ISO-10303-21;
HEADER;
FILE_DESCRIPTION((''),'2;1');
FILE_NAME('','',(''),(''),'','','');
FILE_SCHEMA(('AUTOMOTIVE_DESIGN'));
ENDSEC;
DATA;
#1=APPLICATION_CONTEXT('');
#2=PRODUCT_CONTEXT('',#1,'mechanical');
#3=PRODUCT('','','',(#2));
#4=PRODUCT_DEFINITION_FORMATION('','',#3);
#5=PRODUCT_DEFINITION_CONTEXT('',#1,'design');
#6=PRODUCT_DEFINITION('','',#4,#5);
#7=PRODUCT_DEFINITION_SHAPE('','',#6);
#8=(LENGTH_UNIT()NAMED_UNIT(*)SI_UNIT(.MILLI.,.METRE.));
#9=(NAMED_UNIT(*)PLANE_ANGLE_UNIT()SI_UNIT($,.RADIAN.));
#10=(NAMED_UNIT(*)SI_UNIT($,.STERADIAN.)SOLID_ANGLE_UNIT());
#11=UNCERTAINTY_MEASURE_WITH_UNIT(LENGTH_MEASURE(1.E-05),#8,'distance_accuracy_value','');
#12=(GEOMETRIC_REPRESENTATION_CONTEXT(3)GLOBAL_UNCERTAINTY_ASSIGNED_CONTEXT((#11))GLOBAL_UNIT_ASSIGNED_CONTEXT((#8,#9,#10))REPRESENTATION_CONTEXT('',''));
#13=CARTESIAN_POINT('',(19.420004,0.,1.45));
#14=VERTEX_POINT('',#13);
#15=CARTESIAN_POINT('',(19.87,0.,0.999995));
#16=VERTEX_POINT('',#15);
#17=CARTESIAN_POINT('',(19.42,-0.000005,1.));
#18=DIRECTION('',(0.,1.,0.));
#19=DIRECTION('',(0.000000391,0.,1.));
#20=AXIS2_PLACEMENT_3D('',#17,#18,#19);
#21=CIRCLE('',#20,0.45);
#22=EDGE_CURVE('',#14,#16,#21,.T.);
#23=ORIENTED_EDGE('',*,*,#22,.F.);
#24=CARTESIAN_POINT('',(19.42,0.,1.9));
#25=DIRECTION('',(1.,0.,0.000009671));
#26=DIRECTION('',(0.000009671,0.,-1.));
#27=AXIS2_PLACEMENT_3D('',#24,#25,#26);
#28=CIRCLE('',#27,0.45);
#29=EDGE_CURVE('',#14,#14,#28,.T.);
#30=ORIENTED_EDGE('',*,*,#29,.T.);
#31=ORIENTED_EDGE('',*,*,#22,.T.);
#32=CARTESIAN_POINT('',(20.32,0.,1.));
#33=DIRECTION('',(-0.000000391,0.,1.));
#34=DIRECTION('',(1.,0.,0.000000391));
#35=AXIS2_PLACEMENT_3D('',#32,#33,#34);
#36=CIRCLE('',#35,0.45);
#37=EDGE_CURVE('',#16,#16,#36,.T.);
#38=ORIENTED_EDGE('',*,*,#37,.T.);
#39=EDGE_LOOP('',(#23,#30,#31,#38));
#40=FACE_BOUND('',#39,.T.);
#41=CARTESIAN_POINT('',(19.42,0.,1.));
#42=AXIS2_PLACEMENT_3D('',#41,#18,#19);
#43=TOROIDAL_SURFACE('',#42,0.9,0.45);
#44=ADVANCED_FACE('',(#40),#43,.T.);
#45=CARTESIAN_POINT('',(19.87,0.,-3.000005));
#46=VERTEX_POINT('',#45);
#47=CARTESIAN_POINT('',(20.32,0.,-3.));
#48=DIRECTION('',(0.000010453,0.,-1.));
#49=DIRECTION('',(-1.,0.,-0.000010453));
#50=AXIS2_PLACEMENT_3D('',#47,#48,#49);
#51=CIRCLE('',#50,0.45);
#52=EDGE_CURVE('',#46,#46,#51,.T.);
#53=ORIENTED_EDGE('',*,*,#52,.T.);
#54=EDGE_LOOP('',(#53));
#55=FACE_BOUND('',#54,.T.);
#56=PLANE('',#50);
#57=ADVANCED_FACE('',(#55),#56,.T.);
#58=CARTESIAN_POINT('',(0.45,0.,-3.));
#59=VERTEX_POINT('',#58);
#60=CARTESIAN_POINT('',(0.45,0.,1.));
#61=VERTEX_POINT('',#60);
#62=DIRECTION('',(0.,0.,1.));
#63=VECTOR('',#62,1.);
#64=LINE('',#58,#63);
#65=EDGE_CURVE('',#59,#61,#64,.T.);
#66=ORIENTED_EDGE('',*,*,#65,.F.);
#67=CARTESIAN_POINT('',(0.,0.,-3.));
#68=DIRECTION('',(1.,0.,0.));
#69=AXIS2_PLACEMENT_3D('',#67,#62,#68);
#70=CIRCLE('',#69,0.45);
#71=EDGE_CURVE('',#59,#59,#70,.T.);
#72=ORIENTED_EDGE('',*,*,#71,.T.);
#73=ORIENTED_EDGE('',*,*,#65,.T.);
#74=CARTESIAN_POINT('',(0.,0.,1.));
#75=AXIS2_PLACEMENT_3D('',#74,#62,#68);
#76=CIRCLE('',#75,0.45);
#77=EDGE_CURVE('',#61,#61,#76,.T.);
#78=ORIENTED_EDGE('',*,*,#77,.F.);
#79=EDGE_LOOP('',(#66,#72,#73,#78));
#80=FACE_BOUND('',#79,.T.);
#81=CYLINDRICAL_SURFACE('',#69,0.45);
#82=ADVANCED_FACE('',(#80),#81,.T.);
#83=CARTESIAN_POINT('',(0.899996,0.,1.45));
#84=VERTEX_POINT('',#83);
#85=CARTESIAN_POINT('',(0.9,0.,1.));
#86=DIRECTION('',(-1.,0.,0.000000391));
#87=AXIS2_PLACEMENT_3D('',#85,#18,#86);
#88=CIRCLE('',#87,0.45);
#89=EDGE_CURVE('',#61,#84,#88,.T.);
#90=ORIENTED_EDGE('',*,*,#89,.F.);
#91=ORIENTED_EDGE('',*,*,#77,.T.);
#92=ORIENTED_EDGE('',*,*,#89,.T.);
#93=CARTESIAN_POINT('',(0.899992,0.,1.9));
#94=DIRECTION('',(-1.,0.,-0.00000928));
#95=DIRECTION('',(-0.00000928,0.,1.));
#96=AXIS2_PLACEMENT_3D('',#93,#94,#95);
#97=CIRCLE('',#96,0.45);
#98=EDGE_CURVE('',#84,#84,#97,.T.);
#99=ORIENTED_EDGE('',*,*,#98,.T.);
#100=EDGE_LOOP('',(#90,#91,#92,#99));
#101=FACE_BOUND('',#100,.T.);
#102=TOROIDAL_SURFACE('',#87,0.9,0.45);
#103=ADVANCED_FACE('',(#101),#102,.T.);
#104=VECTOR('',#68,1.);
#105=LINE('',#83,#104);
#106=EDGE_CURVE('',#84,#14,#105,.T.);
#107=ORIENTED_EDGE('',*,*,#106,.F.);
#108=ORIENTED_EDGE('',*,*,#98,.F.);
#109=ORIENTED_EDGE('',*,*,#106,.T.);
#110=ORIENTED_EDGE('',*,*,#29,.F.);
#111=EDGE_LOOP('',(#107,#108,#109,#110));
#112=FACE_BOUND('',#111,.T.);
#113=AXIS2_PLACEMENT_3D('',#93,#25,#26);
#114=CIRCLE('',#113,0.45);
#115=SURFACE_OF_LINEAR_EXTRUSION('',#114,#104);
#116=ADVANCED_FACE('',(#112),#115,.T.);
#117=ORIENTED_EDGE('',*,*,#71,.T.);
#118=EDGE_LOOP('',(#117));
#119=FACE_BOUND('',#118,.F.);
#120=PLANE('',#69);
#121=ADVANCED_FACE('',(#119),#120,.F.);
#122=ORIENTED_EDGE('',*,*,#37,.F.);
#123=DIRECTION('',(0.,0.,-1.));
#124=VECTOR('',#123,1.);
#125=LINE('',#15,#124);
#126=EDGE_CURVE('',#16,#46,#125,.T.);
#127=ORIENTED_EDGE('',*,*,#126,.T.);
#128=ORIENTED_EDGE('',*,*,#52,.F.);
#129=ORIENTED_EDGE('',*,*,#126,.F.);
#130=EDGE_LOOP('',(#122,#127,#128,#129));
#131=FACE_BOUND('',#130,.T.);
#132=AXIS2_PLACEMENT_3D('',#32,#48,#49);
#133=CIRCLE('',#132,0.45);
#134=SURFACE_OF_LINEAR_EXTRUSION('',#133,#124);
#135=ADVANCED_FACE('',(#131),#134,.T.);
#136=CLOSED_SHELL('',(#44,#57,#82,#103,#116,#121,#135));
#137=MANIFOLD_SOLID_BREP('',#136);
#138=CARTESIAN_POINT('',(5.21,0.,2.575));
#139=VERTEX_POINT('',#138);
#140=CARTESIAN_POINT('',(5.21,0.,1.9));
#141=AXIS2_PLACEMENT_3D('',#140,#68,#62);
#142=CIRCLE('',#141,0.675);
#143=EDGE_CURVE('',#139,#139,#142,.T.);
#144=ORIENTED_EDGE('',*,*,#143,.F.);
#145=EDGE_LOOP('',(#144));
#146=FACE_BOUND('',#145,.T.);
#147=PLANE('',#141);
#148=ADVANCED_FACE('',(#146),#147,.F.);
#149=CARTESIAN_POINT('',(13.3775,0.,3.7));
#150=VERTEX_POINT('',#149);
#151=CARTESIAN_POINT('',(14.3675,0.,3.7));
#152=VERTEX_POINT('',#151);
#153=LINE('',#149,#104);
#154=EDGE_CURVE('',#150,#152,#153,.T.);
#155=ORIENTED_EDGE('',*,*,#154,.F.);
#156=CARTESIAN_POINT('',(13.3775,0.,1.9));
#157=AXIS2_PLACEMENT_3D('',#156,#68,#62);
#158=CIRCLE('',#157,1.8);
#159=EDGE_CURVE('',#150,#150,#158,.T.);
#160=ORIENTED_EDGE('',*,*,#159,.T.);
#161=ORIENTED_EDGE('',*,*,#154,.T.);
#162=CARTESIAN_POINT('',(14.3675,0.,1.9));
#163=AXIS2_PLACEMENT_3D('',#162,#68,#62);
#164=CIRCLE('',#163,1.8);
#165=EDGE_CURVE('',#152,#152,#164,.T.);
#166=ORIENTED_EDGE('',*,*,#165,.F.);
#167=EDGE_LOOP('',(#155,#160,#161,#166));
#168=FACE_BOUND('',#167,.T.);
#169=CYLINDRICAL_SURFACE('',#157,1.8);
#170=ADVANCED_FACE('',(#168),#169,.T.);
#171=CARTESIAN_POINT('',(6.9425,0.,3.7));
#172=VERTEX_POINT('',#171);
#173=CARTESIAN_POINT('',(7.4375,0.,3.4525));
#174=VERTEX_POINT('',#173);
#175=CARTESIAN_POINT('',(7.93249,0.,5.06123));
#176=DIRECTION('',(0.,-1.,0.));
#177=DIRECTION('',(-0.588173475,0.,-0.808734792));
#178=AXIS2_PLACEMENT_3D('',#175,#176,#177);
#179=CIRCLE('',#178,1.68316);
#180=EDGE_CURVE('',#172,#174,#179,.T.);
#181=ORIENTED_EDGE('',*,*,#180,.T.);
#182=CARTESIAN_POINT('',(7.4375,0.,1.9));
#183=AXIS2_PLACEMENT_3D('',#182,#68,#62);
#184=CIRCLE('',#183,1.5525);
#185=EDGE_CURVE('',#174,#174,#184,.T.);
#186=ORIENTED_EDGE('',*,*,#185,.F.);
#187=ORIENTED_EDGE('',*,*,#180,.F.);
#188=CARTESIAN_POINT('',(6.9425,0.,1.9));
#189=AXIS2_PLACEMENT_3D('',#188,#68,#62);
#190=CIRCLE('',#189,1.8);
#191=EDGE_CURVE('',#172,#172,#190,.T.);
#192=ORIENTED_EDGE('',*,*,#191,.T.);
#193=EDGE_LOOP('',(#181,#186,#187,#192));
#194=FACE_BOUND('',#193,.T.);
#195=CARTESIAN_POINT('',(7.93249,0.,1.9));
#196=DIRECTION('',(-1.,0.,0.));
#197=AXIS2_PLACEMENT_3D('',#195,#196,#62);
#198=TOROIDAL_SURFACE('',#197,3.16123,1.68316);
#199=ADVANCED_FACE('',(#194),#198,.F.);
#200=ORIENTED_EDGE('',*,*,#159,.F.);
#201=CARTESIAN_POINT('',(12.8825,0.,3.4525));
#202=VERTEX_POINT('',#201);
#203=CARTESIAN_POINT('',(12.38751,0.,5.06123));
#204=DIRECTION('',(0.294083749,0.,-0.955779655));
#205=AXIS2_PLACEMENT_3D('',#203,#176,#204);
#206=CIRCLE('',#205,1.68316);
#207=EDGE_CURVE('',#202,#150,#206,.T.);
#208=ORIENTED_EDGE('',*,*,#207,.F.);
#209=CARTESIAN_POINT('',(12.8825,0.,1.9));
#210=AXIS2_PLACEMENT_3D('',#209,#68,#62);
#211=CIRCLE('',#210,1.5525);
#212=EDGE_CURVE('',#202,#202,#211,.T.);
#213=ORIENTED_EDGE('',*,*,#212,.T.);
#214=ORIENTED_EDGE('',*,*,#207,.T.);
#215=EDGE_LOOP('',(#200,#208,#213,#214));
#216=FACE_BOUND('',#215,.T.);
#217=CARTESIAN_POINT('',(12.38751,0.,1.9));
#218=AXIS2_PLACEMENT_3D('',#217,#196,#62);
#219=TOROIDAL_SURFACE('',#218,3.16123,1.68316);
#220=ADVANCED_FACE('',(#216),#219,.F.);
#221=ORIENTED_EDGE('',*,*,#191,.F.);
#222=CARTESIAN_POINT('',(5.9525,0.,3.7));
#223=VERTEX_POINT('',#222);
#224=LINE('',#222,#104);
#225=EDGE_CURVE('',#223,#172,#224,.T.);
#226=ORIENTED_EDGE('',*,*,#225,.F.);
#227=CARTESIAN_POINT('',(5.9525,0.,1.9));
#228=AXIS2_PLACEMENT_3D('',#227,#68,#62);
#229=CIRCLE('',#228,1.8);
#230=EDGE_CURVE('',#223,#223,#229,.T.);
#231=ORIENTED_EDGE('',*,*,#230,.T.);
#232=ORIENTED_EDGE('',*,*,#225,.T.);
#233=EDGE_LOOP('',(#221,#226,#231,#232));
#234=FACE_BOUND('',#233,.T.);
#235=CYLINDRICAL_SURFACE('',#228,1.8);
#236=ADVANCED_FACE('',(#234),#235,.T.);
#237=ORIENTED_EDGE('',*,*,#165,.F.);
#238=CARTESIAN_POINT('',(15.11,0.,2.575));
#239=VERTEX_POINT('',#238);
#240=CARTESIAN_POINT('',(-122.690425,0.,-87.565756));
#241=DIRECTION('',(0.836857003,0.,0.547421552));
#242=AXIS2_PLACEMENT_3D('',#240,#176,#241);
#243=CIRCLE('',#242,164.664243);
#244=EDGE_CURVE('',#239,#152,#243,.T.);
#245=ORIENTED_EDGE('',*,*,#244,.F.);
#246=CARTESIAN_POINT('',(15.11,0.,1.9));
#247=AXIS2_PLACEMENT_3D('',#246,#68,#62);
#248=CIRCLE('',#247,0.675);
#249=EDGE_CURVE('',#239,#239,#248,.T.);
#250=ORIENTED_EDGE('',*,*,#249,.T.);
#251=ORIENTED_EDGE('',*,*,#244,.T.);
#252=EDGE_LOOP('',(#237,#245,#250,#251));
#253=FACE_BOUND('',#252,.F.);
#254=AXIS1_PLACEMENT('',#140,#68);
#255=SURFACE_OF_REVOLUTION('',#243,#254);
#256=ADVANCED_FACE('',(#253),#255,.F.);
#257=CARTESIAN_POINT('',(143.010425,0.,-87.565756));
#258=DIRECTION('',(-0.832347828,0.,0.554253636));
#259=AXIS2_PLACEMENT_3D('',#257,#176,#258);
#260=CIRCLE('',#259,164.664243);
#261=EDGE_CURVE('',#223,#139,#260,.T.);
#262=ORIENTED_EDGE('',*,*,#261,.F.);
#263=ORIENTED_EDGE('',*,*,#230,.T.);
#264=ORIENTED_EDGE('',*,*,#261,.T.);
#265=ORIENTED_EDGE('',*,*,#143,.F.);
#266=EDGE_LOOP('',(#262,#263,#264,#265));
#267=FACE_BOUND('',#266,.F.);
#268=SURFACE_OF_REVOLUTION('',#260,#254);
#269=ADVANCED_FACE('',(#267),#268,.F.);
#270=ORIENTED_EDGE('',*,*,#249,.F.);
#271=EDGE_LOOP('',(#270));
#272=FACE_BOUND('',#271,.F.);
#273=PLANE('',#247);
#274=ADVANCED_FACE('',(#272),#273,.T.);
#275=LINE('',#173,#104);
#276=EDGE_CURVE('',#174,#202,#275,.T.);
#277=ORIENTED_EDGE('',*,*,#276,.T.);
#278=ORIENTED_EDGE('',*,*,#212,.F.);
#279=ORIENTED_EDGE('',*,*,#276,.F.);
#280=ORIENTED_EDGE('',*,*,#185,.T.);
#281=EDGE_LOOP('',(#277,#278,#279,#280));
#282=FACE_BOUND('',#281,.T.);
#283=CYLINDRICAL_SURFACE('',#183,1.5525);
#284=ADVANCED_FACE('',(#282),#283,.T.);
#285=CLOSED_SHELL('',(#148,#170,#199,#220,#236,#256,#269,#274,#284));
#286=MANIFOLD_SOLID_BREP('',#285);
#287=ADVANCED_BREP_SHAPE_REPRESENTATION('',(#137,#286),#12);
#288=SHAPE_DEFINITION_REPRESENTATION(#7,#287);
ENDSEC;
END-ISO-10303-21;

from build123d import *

# Parameters (mm, degrees)
SKETCH_R = 0.45


with BuildPart() as revolution:
    # Sketch002 → Revolution (revolve)
    with BuildSketch(Plane.XZ):
        with BuildLine():
            Line((5.9525, 3.7), (6.9425, 3.7))
            ThreePointArc((6.9425, 3.7), (7.179758, 3.555766), (7.4375, 3.4525))
            Line((7.4375, 3.4525), (12.8825, 3.4525))
            ThreePointArc((12.8825, 3.4525), (13.140242, 3.555766), (13.3775, 3.7))
            Line((13.3775, 3.7), (14.3675, 3.7))
            ThreePointArc((15.11, 2.575), (14.739901, 3.13826), (14.3675, 3.7))
            Line((15.11, 1.9), (15.11, 2.575))
            Line((5.21, 1.9), (15.11, 1.9))
            Line((5.21, 1.9), (5.21, 2.575))
            ThreePointArc((5.9525, 3.7), (5.580099, 3.13826), (5.21, 2.575))
        make_face()
    revolve(axis=Axis((5.21, 0, 1.9), (1, 0, 0)))


with BuildPart() as sweep_body:
    # Sweep: sweep along a path in Sketch001
    with BuildLine(Plane.XZ) as sweep_path:
        Line((0, -3), (0, 1))
        ThreePointArc((0, 1), (0.263601, 1.636393), (0.899992, 1.9))
        Line((0.899992, 1.9), (19.42, 1.9))
        ThreePointArc((19.42, 1.9), (20.056396, 1.636396), (20.32, 1))
        Line((20.32, 1), (20.32, -3))
    # Sketch → Sweep (sweep)
    with BuildSketch(Plane.XY.offset(-2)):
        Circle(SKETCH_R)
    sweep(path=sweep_path.line)


solid = Compound([revolution.part, sweep_body.part])
